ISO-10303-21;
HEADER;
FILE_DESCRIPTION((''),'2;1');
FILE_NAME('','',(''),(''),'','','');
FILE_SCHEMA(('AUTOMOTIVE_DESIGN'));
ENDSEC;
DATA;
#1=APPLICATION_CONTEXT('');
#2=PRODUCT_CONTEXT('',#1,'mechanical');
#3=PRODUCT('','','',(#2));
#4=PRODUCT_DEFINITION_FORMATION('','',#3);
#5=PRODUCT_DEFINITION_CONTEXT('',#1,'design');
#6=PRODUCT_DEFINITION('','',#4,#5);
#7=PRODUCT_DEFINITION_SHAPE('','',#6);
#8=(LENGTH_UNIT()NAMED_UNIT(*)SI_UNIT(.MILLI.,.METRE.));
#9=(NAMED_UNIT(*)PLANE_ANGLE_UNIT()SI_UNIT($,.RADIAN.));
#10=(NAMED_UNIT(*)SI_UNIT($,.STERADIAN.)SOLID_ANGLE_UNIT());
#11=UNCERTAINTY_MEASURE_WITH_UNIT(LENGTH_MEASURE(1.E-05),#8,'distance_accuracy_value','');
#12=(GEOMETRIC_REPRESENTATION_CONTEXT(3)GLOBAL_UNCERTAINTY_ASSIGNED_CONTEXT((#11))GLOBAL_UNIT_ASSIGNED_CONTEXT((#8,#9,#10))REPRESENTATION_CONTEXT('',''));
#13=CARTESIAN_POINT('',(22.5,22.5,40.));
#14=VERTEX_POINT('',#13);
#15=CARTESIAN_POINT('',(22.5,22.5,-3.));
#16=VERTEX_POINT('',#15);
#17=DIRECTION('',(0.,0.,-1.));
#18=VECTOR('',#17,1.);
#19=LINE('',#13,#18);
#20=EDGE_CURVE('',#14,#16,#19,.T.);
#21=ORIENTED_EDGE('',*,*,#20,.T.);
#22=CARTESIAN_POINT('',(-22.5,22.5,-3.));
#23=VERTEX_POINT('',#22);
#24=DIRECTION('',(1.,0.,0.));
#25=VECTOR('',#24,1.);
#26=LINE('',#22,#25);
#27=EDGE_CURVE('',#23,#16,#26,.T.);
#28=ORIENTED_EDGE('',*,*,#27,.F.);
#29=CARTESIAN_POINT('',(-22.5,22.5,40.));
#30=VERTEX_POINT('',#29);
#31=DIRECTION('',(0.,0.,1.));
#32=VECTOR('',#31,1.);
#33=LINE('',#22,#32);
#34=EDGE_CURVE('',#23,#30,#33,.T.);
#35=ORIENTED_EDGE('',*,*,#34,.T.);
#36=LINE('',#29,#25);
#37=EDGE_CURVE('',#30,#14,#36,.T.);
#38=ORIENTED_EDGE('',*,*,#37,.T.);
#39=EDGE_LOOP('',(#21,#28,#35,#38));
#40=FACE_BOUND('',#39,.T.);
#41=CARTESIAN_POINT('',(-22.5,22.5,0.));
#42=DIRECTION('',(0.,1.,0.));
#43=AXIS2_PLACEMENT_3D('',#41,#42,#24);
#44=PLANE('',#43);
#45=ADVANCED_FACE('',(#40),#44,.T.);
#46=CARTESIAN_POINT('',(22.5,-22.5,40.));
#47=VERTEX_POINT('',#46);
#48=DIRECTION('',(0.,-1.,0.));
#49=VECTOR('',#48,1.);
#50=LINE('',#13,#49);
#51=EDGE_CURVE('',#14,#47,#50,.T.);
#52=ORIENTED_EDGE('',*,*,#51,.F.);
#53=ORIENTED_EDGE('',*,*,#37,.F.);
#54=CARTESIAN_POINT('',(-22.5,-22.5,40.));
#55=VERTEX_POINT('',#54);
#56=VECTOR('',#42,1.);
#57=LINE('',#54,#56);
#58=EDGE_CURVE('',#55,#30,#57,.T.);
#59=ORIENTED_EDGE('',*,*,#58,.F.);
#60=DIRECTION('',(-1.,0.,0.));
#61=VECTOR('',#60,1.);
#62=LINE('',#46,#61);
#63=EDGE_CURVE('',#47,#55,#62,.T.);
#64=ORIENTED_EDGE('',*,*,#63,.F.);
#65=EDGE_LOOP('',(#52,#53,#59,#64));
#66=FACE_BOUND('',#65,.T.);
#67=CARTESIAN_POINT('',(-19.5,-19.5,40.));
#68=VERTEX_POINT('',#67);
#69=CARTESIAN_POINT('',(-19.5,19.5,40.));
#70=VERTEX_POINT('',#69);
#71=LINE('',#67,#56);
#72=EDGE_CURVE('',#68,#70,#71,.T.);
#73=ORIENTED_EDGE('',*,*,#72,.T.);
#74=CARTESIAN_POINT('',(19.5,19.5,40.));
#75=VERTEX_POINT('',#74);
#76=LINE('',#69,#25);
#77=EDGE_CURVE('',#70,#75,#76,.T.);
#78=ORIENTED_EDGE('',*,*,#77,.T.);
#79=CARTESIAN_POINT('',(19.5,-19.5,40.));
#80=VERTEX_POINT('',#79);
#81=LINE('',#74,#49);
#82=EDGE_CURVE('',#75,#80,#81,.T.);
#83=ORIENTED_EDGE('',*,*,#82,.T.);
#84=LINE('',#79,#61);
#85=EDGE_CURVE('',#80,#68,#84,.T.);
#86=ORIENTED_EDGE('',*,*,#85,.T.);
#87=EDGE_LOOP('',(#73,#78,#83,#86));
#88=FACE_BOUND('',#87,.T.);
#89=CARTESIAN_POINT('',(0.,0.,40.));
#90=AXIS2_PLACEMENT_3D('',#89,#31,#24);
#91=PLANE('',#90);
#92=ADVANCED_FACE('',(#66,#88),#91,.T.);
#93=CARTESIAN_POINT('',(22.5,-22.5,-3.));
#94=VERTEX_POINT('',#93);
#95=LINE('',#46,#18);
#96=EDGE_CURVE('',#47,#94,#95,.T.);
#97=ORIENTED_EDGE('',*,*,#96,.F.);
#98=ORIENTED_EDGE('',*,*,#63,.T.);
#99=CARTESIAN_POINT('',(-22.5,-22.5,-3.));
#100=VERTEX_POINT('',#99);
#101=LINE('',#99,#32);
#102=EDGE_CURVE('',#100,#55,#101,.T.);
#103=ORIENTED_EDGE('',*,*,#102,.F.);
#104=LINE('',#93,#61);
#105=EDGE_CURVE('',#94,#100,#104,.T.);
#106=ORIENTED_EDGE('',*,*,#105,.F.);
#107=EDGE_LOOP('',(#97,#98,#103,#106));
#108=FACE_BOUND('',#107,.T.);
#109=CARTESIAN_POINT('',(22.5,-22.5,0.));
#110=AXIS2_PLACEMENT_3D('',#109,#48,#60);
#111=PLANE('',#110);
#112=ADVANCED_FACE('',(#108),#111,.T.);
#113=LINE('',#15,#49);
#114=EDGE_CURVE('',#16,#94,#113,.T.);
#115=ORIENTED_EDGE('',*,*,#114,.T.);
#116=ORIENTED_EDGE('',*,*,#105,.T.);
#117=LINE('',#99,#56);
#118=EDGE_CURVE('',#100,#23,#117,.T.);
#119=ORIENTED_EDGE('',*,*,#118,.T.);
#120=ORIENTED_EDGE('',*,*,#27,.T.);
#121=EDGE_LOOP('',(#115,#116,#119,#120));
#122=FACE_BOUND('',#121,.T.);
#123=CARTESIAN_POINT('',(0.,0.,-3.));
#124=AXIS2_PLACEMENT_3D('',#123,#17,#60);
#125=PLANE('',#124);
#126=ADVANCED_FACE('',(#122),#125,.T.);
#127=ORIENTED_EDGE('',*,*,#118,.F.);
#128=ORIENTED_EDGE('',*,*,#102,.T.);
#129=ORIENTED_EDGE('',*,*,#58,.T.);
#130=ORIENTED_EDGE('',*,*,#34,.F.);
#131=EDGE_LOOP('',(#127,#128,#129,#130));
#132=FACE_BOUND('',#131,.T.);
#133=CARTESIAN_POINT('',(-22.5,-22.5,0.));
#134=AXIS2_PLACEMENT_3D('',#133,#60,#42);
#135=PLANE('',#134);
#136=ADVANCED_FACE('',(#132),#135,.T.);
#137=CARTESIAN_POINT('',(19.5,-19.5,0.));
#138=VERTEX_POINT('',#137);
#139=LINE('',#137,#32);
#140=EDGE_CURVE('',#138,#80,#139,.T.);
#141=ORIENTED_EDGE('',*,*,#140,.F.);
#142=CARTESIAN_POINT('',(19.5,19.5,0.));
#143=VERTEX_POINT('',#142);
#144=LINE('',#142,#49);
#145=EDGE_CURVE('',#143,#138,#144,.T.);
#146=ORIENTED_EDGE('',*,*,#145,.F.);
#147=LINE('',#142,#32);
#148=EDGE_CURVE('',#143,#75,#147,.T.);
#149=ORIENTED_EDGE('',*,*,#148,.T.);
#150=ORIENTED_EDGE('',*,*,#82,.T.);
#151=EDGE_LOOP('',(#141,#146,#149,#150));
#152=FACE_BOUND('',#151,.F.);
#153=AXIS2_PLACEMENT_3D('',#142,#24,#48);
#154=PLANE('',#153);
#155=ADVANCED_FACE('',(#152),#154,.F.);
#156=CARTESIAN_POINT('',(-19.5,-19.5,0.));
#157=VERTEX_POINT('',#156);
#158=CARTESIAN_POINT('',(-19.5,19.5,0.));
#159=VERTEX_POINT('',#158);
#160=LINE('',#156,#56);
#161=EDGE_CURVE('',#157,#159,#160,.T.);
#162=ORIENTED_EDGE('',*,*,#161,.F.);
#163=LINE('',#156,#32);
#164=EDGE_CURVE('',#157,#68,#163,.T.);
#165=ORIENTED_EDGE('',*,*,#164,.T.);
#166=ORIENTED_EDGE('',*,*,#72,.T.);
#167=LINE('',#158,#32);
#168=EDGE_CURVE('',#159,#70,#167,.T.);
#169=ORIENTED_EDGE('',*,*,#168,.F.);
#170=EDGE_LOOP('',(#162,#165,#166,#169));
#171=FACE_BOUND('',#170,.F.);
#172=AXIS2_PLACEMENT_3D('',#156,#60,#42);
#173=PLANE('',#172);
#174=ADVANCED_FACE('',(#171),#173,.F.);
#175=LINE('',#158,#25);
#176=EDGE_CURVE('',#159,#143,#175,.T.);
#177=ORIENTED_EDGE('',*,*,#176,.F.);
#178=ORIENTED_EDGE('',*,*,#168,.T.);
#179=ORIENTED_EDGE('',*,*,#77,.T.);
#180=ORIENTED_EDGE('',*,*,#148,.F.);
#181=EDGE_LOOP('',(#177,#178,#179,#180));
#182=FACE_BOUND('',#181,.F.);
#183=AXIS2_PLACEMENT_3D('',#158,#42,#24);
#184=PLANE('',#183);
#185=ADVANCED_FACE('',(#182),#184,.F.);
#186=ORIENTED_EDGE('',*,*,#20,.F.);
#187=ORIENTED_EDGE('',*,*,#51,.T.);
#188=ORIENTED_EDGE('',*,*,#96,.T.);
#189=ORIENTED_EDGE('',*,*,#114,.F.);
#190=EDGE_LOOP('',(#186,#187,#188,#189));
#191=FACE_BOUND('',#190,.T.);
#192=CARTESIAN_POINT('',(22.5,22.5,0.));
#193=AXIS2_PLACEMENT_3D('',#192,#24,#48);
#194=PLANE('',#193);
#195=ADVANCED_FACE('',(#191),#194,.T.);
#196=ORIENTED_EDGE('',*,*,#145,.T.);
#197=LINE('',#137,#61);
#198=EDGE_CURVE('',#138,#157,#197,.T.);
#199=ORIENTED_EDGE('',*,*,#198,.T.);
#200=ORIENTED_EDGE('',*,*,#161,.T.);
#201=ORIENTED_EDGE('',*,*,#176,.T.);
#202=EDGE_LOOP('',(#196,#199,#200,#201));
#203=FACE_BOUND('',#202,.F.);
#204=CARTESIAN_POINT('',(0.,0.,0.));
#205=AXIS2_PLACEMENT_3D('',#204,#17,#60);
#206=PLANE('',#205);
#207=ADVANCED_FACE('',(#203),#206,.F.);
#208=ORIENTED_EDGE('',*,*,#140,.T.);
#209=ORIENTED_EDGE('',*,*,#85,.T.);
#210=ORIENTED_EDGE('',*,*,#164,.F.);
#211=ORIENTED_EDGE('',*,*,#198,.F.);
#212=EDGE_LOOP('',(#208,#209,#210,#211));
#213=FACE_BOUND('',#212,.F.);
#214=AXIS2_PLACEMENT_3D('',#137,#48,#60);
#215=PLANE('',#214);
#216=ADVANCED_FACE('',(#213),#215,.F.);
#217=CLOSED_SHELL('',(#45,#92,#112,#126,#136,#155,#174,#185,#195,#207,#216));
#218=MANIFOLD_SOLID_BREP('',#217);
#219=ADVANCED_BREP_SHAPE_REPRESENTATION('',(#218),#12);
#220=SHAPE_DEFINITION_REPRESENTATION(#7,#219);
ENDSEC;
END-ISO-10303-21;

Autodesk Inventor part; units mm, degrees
ref_plane "YZ Plane" through (0, 0, 0) normal (1, 0, 0) x (0, 1, 0)
ref_plane "XZ Plane" through (0, 0, 0) normal (0, 1, 0) x (-1, 0, 0)
ref_plane "XY Plane" through (0, 0, 0) normal (0, 0, 1) x (1, 0, 0)
sketch "Sketch1" plane through (0, 0, 0) normal (0, 0, 1) x (1, 0, 0)
  line L0 (0, 31.5) -> (0, -31.5) construction
  line L1 (-31.5, 0) -> (31.5, 0) construction
  line L2 (-19.5, 19.5) -> (19.5, 19.5)
  line L3 (19.5, 19.5) -> (19.5, -19.5)
  line L4 (19.5, -19.5) -> (-19.5, -19.5)
  line L5 (-19.5, -19.5) -> (-19.5, 19.5)
  line L6 (-22.5, 22.5) -> (22.5, 22.5)
  line L7 (22.5, 22.5) -> (22.5, -22.5)
  line L8 (22.5, -22.5) -> (-22.5, -22.5)
  line L9 (-22.5, -22.5) -> (-22.5, 22.5)
  point P0 (0, 0)
  dimension "d0" = 39
  dimension "d1" = 39
  dimension "d2" = 3
  dimension "d3" = 3
  dimension "d4" = 3
  dimension "d5" = 3
extrude "Extrusion1" add sketch "Sketch1" along normal blind 40
sketch "Sketch2" plane through (0, 0, 0) normal (0, 0, -1) x (-1, 0, 0)
  line L0 (-22.5, -22.5) -> (22.5, -22.5) projected
  line L1 (22.5, -22.5) -> (22.5, 22.5) projected
  line L2 (22.5, 22.5) -> (-22.5, 22.5) projected
  line L3 (-22.5, 22.5) -> (-22.5, -22.5) projected
  point P0 (0, 0)
extrude "Extrusion2" add sketch "Sketch2" along normal blind 3
properties part number "Cuvette_45x45x40" material "Glass"
